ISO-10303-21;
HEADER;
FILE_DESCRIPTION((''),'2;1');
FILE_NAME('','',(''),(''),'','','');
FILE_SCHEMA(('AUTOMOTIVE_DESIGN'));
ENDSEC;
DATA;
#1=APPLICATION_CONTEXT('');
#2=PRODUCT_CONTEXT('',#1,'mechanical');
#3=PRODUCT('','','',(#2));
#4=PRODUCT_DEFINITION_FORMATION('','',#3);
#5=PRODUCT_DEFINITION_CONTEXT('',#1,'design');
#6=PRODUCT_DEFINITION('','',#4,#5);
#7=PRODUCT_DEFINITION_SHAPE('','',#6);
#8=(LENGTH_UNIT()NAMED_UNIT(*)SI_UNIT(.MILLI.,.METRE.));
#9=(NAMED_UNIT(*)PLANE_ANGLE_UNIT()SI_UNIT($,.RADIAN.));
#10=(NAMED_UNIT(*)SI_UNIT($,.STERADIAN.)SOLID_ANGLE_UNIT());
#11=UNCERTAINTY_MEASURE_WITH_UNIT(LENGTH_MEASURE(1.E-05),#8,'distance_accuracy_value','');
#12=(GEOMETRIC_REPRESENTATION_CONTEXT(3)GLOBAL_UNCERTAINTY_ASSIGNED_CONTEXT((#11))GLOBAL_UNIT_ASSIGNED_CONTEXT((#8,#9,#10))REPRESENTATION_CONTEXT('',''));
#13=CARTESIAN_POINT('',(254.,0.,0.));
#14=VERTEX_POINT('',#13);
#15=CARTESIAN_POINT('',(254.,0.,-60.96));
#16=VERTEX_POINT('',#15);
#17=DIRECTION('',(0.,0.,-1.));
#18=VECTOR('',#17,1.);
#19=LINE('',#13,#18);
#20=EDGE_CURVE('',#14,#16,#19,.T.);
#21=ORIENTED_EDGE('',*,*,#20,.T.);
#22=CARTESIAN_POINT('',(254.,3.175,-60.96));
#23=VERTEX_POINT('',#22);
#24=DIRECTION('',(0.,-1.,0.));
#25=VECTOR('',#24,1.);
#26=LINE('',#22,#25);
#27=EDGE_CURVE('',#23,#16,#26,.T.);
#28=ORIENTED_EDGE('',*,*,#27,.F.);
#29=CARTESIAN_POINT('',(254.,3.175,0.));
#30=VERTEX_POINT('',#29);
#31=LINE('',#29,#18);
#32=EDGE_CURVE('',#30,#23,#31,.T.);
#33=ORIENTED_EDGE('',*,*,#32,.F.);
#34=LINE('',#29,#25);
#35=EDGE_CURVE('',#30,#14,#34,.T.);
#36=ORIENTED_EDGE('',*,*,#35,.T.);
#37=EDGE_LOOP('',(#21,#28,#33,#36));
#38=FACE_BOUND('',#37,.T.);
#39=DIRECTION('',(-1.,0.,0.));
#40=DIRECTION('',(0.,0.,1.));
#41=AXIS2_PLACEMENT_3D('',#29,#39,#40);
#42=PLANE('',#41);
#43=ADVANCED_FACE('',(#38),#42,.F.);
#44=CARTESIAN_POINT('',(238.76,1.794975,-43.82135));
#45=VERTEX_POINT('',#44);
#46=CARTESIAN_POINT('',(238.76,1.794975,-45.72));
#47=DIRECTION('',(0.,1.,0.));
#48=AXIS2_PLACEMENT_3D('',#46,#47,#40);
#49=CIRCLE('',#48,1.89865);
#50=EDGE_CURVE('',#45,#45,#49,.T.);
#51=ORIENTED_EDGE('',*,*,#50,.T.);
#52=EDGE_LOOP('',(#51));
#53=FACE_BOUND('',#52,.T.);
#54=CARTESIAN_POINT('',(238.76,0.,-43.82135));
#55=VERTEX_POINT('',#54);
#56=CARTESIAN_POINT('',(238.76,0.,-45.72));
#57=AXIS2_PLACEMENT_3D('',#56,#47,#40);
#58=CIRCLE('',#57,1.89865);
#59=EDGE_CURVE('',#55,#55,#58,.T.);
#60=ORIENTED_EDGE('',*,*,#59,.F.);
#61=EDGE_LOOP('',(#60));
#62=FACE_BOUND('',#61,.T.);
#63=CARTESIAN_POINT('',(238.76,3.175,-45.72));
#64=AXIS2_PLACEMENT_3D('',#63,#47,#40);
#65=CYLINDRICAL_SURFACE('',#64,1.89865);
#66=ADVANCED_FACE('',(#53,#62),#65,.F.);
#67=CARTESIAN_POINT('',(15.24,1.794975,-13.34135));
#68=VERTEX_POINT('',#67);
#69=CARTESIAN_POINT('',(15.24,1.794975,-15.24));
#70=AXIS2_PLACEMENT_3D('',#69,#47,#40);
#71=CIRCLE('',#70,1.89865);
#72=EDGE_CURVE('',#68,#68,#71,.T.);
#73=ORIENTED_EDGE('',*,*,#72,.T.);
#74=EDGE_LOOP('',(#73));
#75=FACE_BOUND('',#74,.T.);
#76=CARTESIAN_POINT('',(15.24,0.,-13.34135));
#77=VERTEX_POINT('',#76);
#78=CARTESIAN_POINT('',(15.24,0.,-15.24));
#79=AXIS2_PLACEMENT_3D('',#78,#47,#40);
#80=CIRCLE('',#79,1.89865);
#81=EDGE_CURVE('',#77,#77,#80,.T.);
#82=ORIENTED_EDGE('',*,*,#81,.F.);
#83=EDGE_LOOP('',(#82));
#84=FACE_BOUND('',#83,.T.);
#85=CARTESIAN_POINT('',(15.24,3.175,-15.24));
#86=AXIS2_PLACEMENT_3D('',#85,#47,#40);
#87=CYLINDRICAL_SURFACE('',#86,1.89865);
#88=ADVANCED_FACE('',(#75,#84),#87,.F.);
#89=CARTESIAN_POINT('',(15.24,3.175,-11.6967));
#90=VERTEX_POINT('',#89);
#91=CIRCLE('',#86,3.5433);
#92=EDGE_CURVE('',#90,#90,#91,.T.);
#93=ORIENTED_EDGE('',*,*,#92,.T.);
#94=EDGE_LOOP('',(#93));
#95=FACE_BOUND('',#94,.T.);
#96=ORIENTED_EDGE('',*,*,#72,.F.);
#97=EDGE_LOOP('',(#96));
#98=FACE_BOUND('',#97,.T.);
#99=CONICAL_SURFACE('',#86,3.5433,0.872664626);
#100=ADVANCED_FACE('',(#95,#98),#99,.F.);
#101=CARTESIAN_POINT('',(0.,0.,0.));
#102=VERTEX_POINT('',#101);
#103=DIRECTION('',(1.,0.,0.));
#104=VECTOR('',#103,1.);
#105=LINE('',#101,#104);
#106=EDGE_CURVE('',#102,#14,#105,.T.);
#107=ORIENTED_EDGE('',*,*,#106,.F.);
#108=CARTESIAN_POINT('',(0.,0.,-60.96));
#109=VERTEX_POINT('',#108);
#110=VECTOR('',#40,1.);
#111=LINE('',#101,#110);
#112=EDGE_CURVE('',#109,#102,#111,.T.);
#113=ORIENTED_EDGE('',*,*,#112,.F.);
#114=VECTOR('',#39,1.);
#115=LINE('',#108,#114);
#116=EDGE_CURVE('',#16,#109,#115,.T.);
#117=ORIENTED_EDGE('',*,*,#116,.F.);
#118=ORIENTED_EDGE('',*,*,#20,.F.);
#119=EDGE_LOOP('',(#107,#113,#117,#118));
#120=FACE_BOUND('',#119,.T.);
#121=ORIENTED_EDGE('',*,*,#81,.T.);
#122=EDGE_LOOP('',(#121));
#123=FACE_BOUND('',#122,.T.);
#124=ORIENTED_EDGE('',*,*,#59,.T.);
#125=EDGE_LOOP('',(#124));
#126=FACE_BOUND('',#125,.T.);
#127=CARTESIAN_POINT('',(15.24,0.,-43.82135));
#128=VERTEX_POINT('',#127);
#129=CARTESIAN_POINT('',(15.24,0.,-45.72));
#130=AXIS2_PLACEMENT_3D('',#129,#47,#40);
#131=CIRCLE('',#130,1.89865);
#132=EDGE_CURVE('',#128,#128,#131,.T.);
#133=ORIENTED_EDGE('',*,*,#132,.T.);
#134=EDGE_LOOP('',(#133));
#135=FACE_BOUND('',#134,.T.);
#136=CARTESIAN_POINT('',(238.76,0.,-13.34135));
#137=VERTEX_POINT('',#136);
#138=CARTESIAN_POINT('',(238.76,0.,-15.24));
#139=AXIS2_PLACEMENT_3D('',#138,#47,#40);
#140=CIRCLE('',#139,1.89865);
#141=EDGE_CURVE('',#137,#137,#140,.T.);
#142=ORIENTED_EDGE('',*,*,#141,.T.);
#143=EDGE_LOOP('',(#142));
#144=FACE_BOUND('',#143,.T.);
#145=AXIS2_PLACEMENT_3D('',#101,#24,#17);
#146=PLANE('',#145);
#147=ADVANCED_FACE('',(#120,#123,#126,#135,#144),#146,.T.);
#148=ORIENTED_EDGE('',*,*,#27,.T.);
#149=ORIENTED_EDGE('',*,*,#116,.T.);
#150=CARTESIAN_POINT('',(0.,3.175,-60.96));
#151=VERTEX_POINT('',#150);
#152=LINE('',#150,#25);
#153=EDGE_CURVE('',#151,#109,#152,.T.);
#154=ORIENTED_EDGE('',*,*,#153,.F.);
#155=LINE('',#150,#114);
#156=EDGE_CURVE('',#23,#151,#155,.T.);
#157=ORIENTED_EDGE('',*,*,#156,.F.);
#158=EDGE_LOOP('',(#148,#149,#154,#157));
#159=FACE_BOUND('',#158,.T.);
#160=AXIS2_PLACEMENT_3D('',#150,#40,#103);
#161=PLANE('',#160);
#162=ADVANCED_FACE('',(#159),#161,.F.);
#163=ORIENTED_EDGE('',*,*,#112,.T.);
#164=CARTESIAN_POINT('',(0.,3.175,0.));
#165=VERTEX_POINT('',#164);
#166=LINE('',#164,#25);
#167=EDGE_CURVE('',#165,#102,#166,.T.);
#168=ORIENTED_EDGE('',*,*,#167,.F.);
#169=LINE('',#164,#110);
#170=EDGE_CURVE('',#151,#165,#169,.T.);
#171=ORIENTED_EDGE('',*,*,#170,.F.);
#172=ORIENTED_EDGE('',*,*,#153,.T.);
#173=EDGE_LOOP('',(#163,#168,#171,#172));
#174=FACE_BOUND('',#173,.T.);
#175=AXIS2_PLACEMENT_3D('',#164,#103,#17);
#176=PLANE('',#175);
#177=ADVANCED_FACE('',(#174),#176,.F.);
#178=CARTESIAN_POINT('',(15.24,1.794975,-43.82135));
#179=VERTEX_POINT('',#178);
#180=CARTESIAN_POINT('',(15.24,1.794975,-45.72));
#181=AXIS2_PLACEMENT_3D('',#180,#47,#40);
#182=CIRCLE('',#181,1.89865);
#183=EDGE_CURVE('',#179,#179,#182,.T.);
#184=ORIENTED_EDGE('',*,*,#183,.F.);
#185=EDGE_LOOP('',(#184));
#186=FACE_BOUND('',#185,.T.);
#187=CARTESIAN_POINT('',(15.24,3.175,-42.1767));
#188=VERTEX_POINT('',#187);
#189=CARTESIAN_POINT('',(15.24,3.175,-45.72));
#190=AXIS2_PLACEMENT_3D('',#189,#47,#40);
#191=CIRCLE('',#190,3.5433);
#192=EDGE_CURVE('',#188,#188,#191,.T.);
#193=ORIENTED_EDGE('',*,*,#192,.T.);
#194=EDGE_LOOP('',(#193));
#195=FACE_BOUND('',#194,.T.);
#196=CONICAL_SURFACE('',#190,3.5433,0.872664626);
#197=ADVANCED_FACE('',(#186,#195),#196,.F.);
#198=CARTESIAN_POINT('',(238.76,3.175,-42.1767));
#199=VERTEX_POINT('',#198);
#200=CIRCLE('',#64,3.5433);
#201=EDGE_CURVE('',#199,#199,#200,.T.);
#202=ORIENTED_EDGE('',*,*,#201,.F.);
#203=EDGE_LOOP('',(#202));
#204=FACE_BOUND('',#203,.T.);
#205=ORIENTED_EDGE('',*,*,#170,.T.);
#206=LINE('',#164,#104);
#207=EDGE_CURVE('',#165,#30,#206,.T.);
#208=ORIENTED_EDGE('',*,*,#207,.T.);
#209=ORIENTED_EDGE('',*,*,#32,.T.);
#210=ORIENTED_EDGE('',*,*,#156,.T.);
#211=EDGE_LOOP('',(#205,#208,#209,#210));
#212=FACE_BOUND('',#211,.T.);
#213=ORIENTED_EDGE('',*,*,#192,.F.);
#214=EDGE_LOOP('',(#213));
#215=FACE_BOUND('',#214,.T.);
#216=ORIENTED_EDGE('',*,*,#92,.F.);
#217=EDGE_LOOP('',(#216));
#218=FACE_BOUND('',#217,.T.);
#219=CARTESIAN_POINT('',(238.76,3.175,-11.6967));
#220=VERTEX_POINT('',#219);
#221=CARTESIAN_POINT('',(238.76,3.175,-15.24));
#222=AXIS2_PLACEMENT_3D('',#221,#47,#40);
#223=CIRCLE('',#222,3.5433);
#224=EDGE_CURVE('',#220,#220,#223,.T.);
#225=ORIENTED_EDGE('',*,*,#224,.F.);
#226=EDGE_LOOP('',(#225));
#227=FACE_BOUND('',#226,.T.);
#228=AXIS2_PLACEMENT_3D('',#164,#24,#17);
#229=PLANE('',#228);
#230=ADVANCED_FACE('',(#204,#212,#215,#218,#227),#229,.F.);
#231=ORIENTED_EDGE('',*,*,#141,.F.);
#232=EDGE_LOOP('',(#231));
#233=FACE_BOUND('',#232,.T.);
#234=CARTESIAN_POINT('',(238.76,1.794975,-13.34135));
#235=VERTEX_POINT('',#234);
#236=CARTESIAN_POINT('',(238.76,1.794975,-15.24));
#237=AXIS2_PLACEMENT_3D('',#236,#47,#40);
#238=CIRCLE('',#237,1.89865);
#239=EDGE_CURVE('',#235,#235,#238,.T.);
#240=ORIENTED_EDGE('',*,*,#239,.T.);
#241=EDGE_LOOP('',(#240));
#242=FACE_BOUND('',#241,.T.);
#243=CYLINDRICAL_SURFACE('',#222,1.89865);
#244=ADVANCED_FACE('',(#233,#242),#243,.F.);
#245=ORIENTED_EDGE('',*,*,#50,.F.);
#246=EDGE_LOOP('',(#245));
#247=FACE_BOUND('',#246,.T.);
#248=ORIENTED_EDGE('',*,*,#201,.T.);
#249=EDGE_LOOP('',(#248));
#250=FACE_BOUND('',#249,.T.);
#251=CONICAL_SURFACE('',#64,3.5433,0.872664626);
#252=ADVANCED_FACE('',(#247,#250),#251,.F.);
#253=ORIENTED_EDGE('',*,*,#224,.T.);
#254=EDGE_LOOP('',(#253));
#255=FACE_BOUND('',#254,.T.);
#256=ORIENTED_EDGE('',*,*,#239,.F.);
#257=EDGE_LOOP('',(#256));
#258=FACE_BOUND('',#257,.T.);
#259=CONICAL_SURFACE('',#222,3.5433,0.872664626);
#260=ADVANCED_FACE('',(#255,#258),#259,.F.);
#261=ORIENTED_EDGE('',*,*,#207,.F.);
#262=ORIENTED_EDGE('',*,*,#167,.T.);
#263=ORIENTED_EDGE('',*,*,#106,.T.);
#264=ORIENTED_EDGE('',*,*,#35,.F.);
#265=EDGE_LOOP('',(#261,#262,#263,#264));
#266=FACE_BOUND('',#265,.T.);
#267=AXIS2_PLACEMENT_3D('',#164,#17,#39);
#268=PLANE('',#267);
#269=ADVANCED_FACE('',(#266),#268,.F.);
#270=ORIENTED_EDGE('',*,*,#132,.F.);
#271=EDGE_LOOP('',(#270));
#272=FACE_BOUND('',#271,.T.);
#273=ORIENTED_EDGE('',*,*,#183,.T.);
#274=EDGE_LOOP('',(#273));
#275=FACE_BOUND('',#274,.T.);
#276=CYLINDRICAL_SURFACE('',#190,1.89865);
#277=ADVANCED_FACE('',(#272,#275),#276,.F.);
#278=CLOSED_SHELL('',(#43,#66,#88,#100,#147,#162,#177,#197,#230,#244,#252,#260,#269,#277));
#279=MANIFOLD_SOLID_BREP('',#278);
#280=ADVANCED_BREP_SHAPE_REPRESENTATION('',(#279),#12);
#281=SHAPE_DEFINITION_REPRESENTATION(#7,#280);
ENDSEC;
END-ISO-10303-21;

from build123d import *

# Parameters (mm, degrees)
SKETCH2_W                                         = 254
SKETCH2_H                                         = 60.96
BOSS_EXTRUDE1_DEPTH                               = 3.175
CSK_FOR_6_FLAT_HEAD_MACHINE_SCREW_100_D           = 3.7973
CSK_FOR_6_FLAT_HEAD_MACHINE_SCREW_100_DEPTH       = 3.175
CSK_FOR_6_FLAT_HEAD_MACHINE_SCREW_100_CSINK_D     = 7.0866
CSK_FOR_6_FLAT_HEAD_MACHINE_SCREW_100_CSINK_ANGLE = 100
CSK_FOR_6_FLAT_HEAD_MACHINE_SCREW_100_TIP         = 1.140824014


with BuildPart() as part:
    # Sketch2 → Boss-Extrude1 (new body)
    with BuildSketch(Plane(origin=(0, 0, 0), x_dir=(1, 0, 0), z_dir=(0, 1, 0))):
        with Locations((127, 30.48)):
            Rectangle(SKETCH2_W, SKETCH2_H)
    extrude(amount=BOSS_EXTRUDE1_DEPTH)

    # CSK for #6 Flat Head Machine Screw (100)1
    with Locations(Plane(origin=(0, 3.175, 0), x_dir=(1, 0, 0), z_dir=(0, 1, 0))):
        with Locations((15.24, 15.24), (15.24, 45.72), (238.76, 15.24), (238.76, 45.72)):
            CounterSinkHole(CSK_FOR_6_FLAT_HEAD_MACHINE_SCREW_100_D / 2, CSK_FOR_6_FLAT_HEAD_MACHINE_SCREW_100_CSINK_D / 2, depth=CSK_FOR_6_FLAT_HEAD_MACHINE_SCREW_100_DEPTH, counter_sink_angle=CSK_FOR_6_FLAT_HEAD_MACHINE_SCREW_100_CSINK_ANGLE)
            with Locations((0, 0, -(CSK_FOR_6_FLAT_HEAD_MACHINE_SCREW_100_DEPTH + CSK_FOR_6_FLAT_HEAD_MACHINE_SCREW_100_TIP / 2))):  # 118° drill point
                Cone(0, CSK_FOR_6_FLAT_HEAD_MACHINE_SCREW_100_D / 2, CSK_FOR_6_FLAT_HEAD_MACHINE_SCREW_100_TIP, mode=Mode.SUBTRACT)


solid = part.part
